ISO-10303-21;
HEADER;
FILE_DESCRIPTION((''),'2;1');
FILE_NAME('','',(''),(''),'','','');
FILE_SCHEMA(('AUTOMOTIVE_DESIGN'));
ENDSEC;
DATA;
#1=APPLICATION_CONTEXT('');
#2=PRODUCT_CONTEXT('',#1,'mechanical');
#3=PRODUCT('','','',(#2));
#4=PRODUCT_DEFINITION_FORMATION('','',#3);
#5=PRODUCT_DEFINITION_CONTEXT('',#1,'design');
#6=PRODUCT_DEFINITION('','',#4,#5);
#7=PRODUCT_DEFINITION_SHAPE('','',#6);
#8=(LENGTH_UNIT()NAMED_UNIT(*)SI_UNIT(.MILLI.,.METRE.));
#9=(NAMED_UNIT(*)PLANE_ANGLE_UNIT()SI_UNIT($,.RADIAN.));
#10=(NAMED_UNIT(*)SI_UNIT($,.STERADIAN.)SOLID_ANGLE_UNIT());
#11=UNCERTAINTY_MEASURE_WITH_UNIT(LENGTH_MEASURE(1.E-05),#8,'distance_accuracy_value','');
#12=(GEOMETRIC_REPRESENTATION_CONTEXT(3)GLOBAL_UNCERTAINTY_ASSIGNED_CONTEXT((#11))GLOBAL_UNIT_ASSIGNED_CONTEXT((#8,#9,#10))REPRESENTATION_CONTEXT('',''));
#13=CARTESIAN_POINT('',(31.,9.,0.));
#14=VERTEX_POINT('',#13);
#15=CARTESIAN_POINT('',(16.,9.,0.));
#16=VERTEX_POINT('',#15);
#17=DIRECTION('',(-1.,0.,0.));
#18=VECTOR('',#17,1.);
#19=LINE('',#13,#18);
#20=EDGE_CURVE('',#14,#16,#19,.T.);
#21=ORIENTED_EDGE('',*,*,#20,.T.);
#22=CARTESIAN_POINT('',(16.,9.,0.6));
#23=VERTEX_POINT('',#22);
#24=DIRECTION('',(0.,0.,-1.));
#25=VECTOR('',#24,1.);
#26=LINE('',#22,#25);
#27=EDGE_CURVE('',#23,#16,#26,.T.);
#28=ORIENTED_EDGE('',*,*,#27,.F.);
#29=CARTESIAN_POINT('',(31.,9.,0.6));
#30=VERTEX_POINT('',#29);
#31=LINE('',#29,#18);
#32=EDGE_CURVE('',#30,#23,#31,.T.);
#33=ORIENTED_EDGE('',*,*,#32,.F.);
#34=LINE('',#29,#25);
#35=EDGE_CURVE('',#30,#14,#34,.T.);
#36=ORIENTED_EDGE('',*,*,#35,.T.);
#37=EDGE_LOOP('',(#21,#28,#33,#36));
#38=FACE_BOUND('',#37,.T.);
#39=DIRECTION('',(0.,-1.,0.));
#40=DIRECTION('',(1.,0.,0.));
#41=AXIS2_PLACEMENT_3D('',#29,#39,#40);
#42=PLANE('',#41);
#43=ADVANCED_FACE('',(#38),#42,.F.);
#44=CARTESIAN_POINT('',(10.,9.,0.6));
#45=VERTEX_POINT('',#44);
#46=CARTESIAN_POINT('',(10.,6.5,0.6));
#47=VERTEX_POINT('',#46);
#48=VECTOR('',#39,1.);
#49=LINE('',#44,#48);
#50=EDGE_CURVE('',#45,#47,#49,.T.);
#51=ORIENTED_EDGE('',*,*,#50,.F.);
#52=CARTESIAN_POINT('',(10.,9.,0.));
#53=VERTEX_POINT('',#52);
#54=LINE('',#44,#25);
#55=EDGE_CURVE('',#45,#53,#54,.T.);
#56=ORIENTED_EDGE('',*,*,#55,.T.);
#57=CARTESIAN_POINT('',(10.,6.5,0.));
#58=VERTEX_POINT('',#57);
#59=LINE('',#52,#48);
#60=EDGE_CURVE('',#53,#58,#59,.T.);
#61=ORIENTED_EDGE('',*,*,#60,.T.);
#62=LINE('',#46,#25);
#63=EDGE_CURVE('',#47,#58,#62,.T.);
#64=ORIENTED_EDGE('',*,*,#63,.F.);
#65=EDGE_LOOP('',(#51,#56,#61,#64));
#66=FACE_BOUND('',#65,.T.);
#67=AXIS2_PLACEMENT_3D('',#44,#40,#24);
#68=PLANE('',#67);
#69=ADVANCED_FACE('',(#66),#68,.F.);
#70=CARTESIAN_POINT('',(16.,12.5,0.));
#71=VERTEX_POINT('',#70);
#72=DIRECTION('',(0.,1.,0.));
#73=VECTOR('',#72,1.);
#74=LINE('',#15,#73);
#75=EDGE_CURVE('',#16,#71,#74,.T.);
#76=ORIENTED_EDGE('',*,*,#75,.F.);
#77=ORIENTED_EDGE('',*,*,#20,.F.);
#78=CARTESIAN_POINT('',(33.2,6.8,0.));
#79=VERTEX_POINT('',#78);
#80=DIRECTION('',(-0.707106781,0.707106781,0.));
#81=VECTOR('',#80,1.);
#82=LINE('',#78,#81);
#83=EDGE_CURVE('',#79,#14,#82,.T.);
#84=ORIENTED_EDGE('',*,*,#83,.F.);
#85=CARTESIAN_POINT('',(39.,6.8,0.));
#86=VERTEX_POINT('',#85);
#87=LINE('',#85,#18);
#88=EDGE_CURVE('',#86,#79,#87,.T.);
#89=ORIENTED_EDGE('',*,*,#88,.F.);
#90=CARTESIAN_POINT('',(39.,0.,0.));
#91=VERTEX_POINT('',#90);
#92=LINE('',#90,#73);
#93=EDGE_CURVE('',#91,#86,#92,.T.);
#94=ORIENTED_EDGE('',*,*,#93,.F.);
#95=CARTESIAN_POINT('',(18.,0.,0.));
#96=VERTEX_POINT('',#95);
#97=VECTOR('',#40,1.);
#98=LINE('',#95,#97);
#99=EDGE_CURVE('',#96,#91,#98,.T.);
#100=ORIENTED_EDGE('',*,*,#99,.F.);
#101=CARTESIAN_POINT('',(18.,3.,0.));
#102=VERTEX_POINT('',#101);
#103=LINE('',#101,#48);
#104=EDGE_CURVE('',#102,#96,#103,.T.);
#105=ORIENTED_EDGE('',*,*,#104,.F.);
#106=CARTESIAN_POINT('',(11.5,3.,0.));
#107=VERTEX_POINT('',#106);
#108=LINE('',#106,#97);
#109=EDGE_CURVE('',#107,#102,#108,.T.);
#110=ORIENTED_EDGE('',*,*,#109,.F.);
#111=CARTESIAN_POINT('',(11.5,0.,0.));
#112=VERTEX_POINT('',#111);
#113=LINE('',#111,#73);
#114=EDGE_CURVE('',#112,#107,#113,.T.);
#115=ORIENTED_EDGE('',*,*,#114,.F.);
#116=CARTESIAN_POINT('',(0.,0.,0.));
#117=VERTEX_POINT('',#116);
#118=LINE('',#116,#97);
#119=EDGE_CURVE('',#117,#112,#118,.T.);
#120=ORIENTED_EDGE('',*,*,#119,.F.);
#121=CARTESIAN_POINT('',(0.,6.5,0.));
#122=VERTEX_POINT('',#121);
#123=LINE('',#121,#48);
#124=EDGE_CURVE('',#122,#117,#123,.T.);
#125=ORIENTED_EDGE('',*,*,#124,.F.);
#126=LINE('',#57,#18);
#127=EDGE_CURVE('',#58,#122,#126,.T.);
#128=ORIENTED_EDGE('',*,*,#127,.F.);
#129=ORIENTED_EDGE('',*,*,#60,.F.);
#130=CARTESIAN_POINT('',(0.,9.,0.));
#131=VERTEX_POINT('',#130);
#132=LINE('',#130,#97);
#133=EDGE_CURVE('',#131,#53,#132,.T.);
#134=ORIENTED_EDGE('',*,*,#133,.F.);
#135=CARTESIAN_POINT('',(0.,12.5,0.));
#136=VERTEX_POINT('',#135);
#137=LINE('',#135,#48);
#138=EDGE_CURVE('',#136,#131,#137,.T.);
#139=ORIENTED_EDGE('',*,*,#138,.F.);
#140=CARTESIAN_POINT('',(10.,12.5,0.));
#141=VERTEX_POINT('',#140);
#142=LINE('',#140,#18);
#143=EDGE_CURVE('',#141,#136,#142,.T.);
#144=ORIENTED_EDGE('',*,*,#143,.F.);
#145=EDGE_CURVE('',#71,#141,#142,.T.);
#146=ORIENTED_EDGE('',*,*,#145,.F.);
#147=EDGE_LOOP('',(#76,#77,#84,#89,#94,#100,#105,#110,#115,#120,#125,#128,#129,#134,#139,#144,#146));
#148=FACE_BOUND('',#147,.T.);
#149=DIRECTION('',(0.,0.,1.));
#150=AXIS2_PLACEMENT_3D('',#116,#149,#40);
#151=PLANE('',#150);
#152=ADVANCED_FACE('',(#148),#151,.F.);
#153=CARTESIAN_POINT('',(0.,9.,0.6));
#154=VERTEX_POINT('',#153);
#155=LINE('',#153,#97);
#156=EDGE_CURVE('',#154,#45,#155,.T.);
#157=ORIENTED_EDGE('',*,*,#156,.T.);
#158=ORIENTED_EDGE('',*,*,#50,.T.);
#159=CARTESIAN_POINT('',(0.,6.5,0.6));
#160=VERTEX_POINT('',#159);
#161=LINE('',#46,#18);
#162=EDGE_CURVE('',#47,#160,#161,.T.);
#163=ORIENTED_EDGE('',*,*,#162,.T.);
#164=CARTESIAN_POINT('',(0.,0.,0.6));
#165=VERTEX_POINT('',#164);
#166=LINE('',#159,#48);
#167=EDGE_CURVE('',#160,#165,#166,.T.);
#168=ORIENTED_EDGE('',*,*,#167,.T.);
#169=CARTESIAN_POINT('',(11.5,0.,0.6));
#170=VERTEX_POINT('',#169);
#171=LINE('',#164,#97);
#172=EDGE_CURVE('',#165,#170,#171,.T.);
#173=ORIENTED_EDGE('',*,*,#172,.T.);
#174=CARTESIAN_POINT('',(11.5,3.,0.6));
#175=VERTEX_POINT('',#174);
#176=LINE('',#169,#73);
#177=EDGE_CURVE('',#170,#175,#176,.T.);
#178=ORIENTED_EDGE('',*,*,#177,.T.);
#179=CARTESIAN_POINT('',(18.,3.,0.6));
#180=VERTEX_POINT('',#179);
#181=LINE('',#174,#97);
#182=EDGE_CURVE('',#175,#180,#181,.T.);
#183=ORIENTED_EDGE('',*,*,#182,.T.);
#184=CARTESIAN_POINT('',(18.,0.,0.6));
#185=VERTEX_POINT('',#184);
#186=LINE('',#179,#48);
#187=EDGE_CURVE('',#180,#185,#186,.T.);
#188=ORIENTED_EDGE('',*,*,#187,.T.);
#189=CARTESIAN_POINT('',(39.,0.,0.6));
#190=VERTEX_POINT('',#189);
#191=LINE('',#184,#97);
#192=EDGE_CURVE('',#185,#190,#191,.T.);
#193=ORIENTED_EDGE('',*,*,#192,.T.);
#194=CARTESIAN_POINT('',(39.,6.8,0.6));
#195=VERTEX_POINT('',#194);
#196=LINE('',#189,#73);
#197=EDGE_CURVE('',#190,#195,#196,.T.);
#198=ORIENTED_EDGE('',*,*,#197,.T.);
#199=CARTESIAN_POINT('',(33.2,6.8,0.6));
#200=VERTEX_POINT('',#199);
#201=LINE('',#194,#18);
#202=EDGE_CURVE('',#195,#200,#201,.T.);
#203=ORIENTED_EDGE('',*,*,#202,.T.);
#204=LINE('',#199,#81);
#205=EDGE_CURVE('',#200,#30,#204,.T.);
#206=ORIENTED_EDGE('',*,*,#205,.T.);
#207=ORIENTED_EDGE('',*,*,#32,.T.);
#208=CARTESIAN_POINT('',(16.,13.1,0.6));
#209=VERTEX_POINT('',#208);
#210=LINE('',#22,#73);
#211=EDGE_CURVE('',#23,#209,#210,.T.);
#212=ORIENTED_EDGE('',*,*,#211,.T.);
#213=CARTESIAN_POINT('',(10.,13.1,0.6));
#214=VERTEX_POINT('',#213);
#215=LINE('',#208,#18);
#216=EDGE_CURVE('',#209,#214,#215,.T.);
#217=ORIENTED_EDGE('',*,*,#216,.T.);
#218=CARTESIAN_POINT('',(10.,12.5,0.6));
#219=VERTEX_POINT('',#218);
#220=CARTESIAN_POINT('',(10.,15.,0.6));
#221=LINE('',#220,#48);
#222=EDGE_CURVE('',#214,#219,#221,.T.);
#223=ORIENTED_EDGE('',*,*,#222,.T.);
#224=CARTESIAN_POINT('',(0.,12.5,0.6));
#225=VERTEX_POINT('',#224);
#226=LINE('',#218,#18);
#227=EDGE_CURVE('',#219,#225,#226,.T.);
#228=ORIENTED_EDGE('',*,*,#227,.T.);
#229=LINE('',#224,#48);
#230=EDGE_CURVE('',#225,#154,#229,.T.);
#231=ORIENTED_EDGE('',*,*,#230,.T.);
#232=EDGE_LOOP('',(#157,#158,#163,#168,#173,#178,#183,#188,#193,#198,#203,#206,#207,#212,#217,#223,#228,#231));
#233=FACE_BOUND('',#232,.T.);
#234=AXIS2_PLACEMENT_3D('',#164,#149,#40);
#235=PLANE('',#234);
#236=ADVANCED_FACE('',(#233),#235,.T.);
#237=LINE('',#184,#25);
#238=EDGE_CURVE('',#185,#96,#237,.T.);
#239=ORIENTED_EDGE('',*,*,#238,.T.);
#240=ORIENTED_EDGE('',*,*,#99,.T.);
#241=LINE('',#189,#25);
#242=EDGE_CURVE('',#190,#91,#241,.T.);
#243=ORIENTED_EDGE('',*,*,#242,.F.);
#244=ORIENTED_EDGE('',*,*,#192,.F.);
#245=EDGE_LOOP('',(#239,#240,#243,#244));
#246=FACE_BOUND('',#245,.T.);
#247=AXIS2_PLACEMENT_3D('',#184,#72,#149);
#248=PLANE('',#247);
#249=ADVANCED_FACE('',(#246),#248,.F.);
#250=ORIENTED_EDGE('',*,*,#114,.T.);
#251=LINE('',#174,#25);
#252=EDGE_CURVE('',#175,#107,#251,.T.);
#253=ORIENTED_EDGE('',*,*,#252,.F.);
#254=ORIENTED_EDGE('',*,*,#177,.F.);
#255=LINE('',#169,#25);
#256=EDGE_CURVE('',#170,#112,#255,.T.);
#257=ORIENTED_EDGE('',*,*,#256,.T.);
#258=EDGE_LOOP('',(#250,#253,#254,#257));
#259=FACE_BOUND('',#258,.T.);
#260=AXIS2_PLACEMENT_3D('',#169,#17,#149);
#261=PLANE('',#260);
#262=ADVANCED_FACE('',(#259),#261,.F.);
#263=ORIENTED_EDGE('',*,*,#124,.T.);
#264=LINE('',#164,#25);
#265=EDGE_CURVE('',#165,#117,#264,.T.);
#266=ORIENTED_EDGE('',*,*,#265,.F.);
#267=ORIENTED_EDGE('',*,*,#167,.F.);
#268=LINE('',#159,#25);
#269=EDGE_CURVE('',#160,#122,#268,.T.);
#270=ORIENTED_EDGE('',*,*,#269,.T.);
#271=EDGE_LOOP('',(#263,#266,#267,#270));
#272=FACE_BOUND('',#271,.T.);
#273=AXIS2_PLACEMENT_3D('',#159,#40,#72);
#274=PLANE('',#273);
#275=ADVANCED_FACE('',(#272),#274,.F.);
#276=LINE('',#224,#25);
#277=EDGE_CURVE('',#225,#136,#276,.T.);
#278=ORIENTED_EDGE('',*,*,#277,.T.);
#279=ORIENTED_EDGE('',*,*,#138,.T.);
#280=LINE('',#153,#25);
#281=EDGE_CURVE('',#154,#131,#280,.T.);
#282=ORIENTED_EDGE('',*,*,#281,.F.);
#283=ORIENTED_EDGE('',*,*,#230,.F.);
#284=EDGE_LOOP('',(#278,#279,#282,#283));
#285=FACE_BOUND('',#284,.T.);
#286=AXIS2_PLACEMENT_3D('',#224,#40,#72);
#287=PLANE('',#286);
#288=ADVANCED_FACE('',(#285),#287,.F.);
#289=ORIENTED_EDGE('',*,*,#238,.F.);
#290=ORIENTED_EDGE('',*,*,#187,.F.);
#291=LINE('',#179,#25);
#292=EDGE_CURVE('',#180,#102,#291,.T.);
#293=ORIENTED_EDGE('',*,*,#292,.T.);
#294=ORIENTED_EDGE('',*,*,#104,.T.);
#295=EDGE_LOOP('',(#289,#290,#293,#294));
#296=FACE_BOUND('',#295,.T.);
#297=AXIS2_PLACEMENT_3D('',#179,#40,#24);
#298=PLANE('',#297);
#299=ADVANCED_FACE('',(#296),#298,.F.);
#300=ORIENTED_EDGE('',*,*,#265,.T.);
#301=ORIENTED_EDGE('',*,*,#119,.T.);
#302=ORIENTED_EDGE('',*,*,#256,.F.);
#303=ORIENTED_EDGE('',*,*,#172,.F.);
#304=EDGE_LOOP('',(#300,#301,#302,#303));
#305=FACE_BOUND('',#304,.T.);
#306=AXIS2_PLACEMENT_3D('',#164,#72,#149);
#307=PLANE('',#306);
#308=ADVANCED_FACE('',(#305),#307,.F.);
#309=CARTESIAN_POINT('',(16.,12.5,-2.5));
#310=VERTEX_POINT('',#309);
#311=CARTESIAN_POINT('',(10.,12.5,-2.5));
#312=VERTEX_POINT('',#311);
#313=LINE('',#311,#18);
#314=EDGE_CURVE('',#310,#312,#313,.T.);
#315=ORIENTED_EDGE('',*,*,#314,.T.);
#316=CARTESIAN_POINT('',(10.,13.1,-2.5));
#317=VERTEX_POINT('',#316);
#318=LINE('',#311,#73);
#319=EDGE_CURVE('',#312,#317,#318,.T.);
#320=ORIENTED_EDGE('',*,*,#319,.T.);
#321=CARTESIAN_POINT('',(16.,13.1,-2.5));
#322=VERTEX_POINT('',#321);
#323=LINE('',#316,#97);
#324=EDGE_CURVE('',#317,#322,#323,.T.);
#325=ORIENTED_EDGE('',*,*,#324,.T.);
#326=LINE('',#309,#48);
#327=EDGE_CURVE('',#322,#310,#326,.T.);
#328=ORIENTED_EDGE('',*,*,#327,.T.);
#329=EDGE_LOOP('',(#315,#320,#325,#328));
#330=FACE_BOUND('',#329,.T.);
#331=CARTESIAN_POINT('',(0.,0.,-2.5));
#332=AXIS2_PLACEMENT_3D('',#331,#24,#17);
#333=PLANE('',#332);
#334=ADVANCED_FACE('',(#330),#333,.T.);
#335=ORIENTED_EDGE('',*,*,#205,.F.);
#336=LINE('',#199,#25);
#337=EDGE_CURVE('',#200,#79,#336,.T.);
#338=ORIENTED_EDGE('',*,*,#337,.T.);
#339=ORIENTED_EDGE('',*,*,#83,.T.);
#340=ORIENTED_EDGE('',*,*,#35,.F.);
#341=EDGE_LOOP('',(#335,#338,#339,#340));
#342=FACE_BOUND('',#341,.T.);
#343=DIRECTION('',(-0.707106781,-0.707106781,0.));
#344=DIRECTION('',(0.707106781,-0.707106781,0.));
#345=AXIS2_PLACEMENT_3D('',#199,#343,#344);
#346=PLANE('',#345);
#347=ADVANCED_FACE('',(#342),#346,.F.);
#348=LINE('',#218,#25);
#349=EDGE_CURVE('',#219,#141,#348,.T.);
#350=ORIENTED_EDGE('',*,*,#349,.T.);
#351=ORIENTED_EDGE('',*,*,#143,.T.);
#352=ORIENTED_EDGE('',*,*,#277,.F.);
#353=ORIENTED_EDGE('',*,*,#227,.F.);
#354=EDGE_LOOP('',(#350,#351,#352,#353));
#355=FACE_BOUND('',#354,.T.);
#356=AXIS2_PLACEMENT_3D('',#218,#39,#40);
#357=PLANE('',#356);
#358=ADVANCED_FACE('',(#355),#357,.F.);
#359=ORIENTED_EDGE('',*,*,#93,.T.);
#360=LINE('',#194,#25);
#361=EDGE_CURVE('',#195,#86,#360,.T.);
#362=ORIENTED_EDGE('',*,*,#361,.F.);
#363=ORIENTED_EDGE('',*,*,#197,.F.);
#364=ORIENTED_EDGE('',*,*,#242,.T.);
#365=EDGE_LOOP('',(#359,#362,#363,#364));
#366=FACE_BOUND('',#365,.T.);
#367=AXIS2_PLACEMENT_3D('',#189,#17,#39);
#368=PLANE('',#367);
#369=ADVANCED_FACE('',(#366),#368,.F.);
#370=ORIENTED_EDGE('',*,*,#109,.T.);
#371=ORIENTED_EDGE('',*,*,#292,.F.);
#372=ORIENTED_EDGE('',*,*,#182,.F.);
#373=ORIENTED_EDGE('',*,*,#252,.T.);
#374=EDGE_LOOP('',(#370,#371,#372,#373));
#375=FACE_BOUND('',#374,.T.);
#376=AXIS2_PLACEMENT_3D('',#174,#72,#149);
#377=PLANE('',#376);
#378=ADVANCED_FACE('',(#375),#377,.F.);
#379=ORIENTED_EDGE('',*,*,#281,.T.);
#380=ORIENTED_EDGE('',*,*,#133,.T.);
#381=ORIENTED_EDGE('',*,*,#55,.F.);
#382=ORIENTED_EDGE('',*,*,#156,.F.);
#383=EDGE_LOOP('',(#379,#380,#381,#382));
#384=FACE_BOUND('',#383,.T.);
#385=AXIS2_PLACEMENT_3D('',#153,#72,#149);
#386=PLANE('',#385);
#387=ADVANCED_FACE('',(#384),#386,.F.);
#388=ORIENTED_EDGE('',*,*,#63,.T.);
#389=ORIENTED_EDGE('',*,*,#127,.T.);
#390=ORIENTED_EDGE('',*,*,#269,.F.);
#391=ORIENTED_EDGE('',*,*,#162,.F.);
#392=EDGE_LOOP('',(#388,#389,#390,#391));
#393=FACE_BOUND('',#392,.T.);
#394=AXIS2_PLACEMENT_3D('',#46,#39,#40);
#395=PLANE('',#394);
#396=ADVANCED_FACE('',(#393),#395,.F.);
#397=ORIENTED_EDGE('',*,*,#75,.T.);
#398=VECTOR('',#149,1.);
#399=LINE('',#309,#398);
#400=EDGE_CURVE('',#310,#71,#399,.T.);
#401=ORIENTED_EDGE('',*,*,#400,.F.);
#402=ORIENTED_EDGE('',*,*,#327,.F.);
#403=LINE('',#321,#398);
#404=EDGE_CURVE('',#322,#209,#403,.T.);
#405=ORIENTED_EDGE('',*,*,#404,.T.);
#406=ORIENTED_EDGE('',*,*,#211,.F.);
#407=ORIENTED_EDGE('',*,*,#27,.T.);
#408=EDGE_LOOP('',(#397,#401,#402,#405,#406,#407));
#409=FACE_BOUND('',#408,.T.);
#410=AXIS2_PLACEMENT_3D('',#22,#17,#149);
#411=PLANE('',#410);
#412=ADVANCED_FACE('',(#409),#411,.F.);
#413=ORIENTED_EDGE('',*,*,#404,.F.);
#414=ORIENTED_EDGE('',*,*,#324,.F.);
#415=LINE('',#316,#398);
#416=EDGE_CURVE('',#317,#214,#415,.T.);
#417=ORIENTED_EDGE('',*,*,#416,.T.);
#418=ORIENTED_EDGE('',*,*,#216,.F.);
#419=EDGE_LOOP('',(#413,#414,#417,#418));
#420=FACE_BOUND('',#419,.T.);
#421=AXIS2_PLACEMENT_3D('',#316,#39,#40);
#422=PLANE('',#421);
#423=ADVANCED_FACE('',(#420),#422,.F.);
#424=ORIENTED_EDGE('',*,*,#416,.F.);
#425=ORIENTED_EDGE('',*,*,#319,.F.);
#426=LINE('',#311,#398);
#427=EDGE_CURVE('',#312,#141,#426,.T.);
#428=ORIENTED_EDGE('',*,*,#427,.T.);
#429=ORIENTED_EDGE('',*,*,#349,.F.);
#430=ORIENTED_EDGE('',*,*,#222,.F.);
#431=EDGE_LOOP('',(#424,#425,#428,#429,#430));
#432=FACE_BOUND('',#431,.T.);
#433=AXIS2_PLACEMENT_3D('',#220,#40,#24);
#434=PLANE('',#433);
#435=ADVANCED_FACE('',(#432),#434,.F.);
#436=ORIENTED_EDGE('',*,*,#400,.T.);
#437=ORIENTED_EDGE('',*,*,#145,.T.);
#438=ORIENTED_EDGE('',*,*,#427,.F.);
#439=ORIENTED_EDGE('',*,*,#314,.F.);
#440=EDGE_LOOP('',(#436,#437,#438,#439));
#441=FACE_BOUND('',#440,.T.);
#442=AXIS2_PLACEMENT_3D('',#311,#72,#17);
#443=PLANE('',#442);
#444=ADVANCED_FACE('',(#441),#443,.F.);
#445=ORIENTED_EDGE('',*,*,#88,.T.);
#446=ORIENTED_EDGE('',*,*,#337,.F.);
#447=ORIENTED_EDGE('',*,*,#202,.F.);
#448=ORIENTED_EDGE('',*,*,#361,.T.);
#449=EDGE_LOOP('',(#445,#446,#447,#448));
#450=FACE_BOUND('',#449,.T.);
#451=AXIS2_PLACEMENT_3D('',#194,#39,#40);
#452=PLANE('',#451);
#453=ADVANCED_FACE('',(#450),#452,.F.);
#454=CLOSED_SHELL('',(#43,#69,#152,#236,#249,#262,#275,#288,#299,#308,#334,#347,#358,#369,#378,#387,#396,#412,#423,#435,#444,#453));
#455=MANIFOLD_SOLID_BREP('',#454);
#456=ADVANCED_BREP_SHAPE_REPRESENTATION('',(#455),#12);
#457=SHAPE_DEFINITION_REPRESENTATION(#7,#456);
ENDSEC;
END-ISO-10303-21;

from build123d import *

# Parameters (mm, degrees)
EXTRUDE_1_DEPTH     = 0.6
SKETCH_2_W          = 6
SKETCH_2_H          = 0.6
EXTRUDE_2_DEPTH     = 2.5
SKETCH_3_W          = 6
SKETCH_3_H          = 1.9
CUT_EXTRUDE_1_DEPTH = 42.859885332


with BuildPart() as part:
    # 草图1 → 凸台-拉伸1 (new body)
    with BuildSketch(Plane.XY):
        Polygon((0, 0), (11.5, 0), (11.5, 3), (18, 3), (18, 0), (39, 0), (39, 6.8), (33.2, 6.8), (31, 9), (16, 9), (16, 15), (10, 15), (10, 12.5), (0, 12.5), (0, 9), (10, 9), (10, 6.5), (0, 6.5), align=None)
    extrude(amount=EXTRUDE_1_DEPTH)

    # 草图2 → 凸台-拉伸2 (add)
    with BuildSketch(Plane(origin=(0, 0, 0), x_dir=(-1, 0, 0), z_dir=(0, 0, -1))):
        with Locations((-13, 12.8)):
            Rectangle(SKETCH_2_W, SKETCH_2_H)
    extrude(amount=EXTRUDE_2_DEPTH)

    # 草图3 → 切除-拉伸1 (cut, through all)
    with BuildSketch(Plane(origin=(0, 0, 0), x_dir=(-1, 0, 0), z_dir=(0, 0, -1))):
        with Locations((-13, 14.05)):
            Rectangle(SKETCH_3_W, SKETCH_3_H)
    extrude(amount=-CUT_EXTRUDE_1_DEPTH, mode=Mode.SUBTRACT)


solid = part.part
